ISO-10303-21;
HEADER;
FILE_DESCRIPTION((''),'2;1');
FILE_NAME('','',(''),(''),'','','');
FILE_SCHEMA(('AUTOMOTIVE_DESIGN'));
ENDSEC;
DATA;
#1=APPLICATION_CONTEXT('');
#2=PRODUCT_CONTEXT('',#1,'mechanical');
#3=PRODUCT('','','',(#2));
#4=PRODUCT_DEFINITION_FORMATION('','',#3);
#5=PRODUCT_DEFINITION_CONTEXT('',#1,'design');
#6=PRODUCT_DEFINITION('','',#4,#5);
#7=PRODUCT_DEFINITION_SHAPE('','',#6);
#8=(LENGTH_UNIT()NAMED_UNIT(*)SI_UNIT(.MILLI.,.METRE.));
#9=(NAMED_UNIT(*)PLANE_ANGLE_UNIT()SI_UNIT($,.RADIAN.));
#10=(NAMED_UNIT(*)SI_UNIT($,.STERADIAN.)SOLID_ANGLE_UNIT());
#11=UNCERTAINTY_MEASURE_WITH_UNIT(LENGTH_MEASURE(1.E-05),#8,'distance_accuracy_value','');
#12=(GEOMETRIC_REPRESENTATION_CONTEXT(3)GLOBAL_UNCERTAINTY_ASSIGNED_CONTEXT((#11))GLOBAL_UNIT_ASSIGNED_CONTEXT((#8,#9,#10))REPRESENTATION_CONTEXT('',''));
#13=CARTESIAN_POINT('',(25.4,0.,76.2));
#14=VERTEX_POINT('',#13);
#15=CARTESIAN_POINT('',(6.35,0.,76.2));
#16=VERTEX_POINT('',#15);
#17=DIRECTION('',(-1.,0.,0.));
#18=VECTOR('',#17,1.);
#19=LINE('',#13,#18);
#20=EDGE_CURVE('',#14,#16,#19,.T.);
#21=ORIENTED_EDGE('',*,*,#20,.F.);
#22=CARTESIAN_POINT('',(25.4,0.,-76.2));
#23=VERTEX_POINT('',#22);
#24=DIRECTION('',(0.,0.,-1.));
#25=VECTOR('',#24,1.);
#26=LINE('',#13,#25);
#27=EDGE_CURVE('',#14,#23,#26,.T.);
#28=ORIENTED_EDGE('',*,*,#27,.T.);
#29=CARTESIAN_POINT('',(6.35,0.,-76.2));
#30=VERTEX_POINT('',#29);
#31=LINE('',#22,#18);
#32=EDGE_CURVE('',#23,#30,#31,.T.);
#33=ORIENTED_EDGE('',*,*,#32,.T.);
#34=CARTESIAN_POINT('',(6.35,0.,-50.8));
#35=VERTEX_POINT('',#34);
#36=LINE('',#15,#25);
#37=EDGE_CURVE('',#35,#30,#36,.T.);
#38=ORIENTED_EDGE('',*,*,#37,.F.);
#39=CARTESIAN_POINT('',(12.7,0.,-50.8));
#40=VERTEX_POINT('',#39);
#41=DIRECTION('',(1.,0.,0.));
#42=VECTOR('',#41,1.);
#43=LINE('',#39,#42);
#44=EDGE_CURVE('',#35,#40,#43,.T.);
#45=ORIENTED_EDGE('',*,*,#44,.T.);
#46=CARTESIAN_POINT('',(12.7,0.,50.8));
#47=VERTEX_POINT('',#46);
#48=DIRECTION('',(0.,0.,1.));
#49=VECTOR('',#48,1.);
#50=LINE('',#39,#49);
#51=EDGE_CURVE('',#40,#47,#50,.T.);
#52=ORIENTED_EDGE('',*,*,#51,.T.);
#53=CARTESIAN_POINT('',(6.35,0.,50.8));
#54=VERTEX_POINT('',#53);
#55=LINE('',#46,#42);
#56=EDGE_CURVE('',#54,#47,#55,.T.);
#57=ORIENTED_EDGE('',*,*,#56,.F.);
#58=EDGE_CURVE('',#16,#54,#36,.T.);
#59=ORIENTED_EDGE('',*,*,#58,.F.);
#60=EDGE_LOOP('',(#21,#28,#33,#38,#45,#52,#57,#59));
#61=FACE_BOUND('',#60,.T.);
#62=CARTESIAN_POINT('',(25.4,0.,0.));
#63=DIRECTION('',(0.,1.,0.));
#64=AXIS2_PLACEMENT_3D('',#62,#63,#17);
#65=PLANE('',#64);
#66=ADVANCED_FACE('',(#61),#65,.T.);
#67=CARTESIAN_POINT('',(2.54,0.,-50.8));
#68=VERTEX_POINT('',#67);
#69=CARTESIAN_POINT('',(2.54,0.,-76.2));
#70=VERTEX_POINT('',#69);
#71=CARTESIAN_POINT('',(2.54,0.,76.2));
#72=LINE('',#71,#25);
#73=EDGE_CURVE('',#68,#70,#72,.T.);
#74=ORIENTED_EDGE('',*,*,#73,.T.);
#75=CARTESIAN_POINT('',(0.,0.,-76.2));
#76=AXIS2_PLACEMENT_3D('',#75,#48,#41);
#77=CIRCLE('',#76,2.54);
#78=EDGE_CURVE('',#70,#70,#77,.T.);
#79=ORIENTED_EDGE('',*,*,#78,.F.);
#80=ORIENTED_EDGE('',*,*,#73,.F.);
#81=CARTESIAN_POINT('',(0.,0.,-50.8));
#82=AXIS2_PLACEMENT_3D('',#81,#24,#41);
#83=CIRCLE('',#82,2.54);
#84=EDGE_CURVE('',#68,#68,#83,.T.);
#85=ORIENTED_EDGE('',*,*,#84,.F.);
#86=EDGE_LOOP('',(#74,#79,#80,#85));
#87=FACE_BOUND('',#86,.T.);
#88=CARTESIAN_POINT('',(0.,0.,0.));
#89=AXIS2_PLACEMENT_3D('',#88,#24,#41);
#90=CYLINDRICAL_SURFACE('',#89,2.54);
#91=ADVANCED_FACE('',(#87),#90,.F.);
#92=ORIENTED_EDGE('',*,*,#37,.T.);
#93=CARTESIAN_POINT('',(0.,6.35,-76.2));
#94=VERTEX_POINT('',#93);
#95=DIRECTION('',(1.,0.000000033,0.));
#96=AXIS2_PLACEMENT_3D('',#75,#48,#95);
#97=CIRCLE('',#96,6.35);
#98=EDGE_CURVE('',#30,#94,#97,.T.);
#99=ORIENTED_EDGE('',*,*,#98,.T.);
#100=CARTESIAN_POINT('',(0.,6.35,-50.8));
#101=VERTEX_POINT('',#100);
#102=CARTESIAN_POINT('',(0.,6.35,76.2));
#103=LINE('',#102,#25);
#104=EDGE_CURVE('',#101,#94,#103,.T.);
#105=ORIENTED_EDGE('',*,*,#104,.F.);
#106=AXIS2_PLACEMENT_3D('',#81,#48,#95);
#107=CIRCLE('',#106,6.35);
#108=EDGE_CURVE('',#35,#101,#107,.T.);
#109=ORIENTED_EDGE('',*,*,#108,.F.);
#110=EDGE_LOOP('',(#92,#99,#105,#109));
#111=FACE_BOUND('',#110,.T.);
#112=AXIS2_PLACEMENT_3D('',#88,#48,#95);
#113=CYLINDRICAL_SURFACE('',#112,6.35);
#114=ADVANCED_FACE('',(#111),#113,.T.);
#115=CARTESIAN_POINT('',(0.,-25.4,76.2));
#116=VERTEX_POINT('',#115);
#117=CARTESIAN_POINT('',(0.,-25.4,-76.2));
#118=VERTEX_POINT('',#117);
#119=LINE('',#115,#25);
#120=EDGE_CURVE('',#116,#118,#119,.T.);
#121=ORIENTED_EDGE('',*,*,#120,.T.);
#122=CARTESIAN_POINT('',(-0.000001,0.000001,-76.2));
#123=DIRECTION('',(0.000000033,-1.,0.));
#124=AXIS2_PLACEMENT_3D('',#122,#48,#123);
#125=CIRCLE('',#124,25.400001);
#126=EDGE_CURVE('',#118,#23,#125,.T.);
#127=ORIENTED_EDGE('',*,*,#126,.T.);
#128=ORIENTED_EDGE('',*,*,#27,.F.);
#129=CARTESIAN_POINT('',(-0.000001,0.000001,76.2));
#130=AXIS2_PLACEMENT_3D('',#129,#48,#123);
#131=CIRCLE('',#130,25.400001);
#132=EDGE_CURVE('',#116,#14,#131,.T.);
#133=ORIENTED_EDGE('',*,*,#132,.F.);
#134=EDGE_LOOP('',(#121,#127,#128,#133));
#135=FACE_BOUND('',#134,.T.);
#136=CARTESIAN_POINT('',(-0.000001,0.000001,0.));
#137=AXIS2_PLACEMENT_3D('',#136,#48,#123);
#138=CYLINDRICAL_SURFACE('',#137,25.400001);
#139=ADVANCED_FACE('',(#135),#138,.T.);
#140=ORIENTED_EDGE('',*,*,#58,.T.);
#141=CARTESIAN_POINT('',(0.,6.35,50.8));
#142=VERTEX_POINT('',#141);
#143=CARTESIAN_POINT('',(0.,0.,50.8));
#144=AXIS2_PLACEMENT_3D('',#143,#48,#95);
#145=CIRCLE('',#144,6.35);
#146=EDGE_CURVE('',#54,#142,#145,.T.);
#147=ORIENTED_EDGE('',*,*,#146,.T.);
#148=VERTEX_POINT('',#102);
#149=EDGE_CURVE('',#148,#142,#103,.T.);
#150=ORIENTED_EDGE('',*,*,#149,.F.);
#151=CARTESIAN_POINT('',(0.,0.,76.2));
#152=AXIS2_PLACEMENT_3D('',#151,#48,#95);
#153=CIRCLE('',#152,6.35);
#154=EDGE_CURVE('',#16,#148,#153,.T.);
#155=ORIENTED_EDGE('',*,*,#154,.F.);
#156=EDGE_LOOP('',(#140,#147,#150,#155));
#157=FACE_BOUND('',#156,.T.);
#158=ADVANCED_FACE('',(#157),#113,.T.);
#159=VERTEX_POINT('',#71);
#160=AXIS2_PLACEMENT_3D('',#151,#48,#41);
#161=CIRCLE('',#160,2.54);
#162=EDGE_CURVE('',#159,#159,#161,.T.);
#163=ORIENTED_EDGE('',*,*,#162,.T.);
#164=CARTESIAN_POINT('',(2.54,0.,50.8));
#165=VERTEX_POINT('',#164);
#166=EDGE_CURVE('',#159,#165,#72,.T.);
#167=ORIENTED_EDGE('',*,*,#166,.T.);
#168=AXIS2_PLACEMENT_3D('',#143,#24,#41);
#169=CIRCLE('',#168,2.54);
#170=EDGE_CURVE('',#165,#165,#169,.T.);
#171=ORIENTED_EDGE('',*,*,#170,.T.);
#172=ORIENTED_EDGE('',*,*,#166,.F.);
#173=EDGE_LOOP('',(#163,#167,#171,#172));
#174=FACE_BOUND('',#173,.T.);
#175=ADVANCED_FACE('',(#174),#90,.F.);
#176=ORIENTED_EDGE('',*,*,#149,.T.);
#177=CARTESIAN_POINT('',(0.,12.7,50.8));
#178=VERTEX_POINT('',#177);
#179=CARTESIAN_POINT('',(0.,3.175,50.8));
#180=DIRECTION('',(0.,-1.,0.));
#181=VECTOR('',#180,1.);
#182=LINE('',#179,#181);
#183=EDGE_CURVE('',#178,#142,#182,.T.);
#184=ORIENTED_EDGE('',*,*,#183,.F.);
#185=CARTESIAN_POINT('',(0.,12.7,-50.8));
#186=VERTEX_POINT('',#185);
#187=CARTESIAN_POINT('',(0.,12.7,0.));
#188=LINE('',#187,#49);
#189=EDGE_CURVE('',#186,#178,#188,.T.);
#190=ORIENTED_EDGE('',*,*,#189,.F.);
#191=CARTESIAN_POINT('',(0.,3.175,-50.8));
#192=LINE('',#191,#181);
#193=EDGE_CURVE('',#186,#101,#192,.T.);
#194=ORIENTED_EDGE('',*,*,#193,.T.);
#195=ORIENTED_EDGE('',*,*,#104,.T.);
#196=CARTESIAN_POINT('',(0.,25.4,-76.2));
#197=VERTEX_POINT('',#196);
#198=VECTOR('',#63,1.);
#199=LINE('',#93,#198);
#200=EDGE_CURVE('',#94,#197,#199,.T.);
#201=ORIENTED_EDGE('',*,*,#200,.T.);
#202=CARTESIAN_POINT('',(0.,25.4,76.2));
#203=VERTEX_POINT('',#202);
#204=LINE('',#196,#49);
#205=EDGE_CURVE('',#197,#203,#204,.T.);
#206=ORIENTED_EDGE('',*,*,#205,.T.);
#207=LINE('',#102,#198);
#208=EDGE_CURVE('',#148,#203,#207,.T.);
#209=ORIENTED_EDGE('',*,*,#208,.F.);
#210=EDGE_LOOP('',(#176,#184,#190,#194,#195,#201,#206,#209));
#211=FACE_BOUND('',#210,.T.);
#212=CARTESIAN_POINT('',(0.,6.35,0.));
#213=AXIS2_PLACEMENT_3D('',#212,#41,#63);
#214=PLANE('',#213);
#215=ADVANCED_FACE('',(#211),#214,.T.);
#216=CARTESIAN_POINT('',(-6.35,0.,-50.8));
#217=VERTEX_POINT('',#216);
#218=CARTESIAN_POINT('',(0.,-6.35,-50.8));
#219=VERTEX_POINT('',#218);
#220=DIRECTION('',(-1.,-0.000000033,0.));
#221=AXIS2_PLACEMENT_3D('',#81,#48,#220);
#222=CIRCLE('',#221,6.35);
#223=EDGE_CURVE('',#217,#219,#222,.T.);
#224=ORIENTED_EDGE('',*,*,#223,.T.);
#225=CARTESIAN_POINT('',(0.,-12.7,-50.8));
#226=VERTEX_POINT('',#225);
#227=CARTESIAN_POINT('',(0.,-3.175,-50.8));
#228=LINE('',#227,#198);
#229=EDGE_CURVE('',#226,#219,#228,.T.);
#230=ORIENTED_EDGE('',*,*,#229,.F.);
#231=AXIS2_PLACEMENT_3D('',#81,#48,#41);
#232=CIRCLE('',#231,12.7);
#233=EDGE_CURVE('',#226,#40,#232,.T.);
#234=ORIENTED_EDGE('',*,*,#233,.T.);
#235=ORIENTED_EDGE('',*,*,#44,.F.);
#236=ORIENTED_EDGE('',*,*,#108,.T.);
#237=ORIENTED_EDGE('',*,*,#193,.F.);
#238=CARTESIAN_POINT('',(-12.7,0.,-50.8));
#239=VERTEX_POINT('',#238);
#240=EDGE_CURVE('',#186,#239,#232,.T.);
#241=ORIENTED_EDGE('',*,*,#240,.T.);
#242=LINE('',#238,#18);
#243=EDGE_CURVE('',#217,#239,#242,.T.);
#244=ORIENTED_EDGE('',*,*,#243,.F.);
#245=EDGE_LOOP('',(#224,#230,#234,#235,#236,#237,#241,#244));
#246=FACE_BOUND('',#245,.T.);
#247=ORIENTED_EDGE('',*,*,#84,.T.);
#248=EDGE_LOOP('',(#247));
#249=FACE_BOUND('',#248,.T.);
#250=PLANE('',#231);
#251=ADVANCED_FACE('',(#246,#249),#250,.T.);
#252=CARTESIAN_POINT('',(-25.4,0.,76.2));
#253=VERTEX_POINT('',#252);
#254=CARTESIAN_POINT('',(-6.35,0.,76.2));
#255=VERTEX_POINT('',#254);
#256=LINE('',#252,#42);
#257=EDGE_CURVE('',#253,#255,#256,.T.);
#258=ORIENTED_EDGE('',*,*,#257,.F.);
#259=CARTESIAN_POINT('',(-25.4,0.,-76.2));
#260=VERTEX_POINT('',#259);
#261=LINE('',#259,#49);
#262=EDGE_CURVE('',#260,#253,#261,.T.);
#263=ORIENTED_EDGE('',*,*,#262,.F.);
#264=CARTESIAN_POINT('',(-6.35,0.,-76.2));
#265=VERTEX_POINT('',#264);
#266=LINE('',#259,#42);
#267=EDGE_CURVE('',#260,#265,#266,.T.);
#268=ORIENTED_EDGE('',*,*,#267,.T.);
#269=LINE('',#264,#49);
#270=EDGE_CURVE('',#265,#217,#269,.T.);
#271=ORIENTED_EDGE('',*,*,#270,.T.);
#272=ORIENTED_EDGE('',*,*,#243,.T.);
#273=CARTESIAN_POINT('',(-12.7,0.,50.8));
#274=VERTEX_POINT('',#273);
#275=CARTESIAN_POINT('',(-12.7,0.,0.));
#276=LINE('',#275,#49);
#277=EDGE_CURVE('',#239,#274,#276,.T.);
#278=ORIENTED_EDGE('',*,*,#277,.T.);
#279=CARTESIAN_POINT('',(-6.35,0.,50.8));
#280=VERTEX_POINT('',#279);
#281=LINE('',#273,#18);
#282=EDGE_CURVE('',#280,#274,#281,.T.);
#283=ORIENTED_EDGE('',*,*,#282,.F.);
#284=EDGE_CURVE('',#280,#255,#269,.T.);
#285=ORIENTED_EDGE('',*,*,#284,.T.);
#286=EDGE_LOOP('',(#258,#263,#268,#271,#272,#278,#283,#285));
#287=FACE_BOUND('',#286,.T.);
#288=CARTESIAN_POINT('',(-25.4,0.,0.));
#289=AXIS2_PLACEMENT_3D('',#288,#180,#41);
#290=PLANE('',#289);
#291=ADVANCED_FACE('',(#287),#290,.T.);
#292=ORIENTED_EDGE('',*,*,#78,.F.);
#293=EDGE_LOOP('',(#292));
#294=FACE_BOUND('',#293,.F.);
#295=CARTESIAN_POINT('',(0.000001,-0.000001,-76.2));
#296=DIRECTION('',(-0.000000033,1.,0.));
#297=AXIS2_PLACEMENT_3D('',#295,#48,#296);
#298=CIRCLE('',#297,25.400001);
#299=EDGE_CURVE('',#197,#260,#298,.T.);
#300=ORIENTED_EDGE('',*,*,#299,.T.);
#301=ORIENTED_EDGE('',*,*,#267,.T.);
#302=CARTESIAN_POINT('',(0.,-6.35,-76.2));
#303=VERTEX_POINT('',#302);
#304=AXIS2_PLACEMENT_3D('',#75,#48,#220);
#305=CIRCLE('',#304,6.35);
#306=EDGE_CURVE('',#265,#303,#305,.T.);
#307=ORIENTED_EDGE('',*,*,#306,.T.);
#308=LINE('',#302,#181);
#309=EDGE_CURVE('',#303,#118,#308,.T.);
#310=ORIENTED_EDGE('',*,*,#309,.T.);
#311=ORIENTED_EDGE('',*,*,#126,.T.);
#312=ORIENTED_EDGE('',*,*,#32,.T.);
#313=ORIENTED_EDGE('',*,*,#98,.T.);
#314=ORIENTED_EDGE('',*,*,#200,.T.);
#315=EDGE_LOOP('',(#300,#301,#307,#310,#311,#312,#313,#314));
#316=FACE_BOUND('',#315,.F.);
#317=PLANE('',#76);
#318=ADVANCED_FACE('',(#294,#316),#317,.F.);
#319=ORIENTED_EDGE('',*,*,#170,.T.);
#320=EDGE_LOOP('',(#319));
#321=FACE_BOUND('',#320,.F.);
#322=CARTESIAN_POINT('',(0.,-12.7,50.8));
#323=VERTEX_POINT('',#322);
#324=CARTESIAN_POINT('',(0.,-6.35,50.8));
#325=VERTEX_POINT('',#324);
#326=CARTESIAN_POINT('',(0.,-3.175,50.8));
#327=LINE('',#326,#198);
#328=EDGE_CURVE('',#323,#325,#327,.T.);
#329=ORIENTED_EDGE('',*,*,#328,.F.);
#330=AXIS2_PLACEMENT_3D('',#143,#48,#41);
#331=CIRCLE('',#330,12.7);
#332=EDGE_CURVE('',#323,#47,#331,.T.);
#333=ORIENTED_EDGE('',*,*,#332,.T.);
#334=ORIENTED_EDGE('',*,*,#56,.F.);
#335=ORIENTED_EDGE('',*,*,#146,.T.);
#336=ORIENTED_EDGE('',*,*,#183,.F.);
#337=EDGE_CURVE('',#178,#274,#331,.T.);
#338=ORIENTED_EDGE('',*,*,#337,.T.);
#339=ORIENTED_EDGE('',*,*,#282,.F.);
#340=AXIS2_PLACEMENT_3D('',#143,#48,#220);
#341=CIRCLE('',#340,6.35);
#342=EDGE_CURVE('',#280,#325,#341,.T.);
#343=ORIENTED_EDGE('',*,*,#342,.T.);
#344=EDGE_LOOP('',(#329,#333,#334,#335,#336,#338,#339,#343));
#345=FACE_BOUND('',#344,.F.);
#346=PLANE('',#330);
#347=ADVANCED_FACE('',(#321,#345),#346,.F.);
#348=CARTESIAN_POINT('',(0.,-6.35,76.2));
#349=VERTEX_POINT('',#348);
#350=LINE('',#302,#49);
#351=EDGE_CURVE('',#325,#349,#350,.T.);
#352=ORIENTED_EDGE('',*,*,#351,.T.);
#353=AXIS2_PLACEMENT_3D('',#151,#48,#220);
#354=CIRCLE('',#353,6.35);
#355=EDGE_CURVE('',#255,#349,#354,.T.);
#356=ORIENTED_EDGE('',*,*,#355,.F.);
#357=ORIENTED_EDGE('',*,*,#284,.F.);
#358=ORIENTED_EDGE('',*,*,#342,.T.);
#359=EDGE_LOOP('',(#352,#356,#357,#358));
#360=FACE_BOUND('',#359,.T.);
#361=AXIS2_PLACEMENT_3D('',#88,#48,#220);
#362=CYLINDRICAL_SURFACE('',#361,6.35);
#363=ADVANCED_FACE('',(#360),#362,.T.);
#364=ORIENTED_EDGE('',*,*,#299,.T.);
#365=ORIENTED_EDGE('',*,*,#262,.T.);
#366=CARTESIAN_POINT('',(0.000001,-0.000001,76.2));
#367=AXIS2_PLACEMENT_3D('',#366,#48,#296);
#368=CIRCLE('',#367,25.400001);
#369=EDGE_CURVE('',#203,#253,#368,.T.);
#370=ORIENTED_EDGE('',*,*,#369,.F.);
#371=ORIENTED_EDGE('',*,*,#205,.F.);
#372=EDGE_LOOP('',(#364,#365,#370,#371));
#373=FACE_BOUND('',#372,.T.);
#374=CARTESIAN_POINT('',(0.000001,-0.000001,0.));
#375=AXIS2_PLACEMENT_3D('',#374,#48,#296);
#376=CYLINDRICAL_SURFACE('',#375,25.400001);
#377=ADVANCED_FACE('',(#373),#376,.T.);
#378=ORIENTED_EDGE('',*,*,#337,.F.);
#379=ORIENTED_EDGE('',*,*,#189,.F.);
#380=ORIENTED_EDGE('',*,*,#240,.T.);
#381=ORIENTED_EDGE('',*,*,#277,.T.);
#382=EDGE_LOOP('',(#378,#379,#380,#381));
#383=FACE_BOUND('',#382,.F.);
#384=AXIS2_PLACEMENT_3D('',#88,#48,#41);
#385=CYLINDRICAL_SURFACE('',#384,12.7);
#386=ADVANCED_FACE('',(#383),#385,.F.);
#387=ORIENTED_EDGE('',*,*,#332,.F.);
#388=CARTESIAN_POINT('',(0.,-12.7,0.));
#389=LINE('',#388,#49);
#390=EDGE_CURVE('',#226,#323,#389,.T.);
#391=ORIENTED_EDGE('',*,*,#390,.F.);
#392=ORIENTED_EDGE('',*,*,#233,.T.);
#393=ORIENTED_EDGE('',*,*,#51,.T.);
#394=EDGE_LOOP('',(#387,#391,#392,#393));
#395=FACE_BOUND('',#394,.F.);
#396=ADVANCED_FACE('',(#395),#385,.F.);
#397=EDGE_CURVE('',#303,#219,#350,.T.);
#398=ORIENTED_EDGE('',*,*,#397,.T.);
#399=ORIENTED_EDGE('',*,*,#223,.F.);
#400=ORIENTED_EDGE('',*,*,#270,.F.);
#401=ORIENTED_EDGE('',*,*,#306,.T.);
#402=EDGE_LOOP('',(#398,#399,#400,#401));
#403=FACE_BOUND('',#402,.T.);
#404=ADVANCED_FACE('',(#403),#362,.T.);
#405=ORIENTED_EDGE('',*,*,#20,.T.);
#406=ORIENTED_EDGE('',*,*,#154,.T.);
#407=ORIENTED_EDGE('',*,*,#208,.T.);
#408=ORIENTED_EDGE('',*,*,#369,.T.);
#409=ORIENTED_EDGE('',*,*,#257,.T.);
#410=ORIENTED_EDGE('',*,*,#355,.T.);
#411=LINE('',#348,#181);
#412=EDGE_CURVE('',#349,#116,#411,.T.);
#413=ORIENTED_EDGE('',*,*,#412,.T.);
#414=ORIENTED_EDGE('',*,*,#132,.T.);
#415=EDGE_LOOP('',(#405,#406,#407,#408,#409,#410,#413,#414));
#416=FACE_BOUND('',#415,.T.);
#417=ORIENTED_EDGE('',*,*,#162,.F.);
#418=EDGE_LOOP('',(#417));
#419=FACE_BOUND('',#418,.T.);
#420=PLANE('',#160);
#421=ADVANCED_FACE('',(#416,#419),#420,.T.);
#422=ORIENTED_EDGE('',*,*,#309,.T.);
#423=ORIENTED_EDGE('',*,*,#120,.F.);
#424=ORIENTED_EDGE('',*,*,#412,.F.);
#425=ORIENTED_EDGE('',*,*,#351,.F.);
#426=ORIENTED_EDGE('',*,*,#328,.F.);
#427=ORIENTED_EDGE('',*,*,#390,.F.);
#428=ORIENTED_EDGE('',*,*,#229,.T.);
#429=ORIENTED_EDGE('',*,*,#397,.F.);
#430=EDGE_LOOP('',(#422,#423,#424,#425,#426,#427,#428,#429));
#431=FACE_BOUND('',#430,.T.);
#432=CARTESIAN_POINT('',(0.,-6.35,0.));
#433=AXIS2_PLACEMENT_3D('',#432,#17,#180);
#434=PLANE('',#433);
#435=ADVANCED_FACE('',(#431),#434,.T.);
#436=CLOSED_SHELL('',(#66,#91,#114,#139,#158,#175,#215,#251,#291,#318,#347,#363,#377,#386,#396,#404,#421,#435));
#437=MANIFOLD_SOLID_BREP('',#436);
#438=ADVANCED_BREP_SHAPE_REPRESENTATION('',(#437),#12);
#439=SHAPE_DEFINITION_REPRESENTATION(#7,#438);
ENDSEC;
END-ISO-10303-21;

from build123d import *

# Parameters (mm, degrees)
F0_R     = 2.54
F1_DEPTH = 76.2
F3_R     = 12.7
F4_DEPTH = 50.8


with BuildPart() as f1:
    # F0 (on Top) → F1 (new body, symmetric)
    with BuildSketch(Plane.XY):
        with BuildLine():
            Line((0, 6.35), (0, 25.4))
            ThreePointArc((0, 25.4), (-17.960512, 17.960512), (-25.4, 0))
            Line((-25.4, 0), (-6.35, 0))
            ThreePointArc((-6.35, 0), (-4.490128, -4.490128), (0, -6.35))
            Line((0, -6.35), (0, -25.4))
            ThreePointArc((0, -25.4), (17.960512, -17.960512), (25.4, 0))
            Line((25.4, 0), (6.35, 0))
            ThreePointArc((6.35, 0), (4.490128, 4.490128), (0, 6.35))
        make_face()
        Circle(F0_R, mode=Mode.SUBTRACT)
    extrude(amount=F1_DEPTH, both=True)

    # F3 (on Top) → F4 (cut, symmetric)
    with BuildSketch(Plane.XY):
        Circle(F3_R)
    extrude(amount=F4_DEPTH, both=True, mode=Mode.SUBTRACT)


solid = f1.part
